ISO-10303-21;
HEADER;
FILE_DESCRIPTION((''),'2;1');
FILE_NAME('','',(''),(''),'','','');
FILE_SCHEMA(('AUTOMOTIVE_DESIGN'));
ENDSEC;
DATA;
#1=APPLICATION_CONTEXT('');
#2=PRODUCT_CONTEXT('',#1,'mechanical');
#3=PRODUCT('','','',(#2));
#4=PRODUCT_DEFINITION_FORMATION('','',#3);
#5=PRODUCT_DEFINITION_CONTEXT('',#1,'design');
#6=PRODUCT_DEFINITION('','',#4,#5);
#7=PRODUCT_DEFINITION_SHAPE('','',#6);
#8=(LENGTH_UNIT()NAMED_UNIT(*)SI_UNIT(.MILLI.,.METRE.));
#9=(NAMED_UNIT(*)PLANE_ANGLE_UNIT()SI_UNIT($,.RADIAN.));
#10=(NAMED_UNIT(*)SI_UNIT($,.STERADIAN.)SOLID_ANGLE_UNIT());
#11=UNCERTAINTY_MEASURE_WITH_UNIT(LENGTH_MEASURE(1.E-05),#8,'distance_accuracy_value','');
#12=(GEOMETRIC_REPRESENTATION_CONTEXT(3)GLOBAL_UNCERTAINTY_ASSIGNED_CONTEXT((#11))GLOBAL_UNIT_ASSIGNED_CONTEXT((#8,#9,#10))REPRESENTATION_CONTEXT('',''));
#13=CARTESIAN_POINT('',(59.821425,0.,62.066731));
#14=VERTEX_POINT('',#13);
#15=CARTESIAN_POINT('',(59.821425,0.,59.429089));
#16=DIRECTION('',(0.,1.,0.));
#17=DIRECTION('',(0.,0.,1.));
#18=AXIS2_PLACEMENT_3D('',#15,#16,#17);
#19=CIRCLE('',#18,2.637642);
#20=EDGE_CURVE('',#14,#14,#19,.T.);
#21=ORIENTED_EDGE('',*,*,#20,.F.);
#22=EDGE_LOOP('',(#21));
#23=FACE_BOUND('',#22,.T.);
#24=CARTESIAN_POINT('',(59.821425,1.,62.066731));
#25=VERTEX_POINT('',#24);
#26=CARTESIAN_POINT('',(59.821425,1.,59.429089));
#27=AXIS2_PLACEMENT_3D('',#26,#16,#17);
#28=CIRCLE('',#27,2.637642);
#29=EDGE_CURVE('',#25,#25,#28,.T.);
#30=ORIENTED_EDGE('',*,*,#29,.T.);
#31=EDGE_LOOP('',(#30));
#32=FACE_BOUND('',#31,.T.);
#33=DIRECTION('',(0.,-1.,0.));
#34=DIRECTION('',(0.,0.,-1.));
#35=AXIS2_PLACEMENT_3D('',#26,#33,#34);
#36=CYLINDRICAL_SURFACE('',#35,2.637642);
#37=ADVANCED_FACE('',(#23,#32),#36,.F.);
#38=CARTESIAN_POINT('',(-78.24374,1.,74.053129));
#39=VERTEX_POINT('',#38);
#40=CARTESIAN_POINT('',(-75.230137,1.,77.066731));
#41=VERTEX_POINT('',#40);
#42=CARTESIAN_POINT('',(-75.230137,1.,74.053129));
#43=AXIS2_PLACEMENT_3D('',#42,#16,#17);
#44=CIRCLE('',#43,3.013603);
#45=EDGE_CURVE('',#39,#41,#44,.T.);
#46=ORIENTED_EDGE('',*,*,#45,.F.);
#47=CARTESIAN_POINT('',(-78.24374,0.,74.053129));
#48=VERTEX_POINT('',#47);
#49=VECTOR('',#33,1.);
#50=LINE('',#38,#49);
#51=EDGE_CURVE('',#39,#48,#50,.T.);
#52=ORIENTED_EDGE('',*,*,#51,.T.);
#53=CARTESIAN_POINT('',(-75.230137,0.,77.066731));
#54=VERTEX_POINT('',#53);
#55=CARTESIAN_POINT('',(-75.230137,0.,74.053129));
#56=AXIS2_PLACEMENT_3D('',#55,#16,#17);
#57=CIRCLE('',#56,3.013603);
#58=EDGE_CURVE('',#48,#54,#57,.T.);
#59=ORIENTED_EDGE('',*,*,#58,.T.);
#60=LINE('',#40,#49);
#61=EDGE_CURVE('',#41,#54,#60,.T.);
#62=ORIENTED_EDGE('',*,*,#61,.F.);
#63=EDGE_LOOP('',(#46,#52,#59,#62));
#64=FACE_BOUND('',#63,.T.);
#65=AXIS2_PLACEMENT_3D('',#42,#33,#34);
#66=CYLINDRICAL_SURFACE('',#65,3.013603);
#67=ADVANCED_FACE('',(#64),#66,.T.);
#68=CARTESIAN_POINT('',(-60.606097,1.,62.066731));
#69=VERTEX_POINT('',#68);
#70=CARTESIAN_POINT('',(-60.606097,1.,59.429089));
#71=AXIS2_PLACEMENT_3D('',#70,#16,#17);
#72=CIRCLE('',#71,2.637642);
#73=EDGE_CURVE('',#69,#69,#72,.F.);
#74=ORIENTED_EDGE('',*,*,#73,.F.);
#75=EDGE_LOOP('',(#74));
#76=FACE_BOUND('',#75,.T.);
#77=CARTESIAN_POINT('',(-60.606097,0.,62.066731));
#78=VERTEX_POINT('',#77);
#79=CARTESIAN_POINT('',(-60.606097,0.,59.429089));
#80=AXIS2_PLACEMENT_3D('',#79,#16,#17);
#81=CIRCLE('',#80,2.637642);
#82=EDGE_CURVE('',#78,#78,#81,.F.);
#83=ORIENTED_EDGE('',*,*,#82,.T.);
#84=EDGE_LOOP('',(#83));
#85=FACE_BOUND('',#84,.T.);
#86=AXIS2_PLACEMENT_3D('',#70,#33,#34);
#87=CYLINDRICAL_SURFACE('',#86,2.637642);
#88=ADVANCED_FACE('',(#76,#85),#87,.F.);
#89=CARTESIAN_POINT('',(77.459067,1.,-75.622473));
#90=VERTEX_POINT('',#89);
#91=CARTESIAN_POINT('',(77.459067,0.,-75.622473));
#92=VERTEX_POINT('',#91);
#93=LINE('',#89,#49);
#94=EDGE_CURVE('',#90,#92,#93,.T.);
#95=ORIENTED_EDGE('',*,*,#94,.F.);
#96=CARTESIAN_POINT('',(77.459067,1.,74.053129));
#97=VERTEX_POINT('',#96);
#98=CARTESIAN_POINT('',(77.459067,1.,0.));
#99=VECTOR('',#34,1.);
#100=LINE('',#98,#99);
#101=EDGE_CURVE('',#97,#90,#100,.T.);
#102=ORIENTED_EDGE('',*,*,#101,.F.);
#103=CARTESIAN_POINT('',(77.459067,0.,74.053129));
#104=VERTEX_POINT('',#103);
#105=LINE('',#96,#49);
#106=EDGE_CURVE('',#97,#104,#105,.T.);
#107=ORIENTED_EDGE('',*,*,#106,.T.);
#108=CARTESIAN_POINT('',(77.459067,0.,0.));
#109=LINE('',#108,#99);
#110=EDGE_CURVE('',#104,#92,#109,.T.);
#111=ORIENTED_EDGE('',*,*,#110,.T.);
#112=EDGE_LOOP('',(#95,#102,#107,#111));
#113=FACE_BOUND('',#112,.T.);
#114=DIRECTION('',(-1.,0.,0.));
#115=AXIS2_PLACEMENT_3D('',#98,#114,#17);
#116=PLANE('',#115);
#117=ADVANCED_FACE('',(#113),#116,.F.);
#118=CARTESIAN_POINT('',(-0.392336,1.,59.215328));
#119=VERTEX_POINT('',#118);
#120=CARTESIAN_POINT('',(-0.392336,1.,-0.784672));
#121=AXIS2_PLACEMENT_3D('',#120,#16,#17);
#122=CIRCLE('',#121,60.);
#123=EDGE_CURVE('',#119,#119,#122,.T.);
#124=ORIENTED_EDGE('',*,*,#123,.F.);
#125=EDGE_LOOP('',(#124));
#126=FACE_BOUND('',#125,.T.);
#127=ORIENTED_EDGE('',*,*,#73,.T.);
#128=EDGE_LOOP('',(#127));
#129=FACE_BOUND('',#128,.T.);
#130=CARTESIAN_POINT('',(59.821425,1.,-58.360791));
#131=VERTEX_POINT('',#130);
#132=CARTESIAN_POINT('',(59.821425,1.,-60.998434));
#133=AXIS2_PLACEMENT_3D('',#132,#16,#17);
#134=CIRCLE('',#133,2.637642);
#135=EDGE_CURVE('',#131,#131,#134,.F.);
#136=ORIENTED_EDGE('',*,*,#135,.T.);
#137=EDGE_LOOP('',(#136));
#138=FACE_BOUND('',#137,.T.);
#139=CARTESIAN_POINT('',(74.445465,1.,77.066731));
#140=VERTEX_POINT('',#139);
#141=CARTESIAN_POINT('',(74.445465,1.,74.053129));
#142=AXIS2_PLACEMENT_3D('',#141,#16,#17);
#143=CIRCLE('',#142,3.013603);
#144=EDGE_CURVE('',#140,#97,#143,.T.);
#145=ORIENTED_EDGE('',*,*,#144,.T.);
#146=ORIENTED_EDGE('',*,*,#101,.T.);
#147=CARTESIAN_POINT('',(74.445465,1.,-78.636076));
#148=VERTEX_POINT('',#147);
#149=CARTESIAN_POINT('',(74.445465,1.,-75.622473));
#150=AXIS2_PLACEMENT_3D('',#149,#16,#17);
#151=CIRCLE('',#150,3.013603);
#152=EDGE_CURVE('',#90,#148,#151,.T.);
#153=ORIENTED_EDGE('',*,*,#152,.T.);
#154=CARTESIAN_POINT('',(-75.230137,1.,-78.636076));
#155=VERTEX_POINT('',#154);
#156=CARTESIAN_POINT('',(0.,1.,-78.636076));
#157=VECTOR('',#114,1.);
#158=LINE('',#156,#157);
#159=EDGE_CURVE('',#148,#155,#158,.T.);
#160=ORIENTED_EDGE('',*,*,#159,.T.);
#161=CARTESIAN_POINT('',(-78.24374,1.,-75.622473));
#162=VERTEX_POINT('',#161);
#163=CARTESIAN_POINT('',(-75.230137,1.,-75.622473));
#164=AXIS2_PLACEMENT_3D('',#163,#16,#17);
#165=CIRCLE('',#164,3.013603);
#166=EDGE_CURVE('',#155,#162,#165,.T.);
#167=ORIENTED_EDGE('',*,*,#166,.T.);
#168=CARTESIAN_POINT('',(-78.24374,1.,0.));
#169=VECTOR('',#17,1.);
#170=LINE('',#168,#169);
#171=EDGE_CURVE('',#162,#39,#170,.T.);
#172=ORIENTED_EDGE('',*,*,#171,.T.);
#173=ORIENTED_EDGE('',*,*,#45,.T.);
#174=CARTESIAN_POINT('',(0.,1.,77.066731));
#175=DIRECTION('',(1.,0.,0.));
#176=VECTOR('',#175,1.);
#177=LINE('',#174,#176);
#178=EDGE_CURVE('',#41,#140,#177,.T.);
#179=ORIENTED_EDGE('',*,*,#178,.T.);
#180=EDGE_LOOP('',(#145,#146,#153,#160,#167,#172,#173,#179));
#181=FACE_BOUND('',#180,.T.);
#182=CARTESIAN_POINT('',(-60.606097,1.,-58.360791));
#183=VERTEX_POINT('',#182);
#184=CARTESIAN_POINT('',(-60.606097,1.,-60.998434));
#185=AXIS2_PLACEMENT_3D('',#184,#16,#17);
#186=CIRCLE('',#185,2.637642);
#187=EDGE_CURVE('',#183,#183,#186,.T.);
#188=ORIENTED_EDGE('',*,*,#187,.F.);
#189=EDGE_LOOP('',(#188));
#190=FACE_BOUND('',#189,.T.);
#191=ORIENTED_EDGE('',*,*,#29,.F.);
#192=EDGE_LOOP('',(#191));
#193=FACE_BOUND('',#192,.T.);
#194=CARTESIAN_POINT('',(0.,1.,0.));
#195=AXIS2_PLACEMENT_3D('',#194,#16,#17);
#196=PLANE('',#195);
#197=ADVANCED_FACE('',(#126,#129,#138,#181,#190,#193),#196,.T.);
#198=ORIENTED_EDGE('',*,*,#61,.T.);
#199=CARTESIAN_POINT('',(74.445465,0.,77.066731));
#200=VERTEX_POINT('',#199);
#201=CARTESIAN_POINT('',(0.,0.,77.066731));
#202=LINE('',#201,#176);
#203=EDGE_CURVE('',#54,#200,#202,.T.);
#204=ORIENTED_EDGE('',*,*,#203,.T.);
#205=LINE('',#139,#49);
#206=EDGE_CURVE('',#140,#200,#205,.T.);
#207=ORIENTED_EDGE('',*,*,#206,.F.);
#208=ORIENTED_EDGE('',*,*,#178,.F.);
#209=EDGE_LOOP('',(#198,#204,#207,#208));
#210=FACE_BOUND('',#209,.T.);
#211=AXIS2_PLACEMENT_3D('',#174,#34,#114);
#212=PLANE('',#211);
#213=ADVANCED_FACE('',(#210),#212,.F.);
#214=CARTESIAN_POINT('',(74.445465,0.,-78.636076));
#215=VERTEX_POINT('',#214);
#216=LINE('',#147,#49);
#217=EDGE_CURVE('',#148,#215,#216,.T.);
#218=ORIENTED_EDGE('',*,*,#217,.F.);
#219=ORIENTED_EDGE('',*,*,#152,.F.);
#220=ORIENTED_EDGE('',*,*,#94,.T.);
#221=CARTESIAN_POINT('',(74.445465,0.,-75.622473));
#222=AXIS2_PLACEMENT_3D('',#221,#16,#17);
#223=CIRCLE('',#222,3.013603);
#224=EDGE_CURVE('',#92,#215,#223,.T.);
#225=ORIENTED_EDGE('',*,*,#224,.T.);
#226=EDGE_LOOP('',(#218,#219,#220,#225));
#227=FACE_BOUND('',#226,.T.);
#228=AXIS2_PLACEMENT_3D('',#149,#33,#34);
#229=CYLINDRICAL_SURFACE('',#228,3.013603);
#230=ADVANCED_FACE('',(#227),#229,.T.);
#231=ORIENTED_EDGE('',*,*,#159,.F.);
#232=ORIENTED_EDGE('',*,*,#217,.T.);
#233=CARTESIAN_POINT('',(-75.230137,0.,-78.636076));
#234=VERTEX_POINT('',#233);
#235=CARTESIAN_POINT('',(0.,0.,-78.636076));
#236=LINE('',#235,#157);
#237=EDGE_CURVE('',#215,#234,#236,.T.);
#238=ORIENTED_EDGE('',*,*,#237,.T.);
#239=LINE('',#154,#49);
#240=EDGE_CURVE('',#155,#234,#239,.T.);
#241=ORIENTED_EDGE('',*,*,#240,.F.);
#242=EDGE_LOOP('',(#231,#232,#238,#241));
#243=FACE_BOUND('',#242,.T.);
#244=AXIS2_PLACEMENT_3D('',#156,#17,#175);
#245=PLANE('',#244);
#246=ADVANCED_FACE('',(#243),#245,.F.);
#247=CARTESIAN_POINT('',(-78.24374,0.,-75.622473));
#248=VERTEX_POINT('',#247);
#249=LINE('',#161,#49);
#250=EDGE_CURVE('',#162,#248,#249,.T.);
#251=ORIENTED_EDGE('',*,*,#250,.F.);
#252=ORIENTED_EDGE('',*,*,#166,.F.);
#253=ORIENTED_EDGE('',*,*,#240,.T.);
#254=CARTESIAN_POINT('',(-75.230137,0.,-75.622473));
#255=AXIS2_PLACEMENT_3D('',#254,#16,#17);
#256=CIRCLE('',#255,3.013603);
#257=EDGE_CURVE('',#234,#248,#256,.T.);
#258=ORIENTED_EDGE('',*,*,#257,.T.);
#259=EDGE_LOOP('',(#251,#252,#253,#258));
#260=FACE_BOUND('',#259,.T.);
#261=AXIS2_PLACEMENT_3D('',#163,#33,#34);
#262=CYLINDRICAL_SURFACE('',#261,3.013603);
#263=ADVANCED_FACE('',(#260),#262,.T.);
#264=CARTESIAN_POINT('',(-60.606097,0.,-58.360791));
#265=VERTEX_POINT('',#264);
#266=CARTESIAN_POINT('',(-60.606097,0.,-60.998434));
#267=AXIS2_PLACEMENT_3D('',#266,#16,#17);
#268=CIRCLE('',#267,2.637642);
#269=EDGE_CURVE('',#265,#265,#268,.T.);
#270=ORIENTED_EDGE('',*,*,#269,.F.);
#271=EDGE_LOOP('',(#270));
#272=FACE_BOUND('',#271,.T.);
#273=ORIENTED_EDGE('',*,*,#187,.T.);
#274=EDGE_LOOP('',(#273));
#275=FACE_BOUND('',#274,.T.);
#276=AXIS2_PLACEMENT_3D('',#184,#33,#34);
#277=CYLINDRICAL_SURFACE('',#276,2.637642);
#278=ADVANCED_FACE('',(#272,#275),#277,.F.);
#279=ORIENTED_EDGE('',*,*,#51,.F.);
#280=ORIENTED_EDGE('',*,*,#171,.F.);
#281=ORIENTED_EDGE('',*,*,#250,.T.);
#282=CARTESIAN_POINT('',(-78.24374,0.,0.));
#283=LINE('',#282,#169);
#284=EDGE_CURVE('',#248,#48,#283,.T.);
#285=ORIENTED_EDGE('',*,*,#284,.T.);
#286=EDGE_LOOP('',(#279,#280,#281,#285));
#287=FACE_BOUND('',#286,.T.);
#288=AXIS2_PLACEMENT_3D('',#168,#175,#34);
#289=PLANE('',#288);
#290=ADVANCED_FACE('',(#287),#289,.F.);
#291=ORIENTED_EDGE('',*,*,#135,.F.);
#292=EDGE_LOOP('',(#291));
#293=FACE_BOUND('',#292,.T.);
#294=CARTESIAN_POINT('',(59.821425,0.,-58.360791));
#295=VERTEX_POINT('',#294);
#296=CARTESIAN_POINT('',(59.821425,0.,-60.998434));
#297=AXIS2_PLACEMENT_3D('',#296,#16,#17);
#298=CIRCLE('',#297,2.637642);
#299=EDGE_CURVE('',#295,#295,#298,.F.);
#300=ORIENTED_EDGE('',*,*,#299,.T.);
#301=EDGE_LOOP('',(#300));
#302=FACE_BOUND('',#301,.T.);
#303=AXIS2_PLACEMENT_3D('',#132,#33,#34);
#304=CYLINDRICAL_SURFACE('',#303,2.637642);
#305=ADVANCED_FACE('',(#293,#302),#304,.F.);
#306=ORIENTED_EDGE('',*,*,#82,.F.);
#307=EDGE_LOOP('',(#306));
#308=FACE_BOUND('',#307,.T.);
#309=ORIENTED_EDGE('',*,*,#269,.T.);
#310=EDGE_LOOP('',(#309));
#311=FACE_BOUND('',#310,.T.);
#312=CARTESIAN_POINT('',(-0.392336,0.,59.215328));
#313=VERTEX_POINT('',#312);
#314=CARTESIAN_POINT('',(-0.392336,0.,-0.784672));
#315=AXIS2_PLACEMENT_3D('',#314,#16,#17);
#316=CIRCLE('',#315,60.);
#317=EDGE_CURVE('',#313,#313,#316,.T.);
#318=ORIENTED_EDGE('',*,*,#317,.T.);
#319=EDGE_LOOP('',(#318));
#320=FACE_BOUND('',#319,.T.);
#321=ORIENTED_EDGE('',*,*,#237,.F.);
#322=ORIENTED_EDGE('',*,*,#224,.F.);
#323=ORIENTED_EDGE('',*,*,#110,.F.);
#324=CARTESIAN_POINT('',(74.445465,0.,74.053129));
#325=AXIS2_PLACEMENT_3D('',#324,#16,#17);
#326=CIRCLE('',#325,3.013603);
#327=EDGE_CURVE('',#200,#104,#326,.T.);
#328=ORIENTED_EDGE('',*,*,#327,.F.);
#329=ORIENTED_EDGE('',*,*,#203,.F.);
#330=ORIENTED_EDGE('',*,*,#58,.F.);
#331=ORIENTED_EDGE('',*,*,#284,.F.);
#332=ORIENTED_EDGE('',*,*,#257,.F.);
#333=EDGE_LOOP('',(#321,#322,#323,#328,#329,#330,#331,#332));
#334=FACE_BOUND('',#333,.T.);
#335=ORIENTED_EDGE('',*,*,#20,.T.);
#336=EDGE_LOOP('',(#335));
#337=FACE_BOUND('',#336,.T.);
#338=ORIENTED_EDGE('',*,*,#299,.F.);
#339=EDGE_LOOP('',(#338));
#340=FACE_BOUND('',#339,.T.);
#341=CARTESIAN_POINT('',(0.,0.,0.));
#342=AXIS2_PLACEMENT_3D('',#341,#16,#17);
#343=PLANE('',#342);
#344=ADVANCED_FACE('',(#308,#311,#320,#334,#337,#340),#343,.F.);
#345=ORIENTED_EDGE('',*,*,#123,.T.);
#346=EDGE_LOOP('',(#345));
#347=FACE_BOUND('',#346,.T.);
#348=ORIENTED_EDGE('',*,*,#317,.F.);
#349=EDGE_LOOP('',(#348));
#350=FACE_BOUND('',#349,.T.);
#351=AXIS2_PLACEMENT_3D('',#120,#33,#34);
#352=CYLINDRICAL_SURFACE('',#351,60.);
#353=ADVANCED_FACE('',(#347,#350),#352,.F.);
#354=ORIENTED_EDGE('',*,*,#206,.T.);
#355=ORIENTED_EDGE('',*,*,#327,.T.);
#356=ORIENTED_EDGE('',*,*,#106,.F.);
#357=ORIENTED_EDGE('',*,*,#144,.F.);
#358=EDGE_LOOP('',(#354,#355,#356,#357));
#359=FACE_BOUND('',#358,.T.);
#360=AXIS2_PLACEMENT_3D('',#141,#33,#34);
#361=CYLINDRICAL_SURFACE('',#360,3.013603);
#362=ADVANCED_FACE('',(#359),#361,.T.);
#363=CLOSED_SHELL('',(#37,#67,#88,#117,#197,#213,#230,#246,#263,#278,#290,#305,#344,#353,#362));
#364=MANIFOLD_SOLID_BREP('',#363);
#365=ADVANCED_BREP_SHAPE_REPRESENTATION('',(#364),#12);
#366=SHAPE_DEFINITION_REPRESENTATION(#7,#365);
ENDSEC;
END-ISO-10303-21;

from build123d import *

# Parameters (mm, degrees)
SKETCH1_R           = 60
SKETCH1_R_2         = 2.637642313
BOSS_EXTRUDE1_DEPTH = 1


with BuildPart() as part:
    # Sketch1 → Boss-Extrude1 (new body)
    with BuildSketch(Plane(origin=(0, 0, 0), x_dir=(1, 0, 0), z_dir=(0, 1, 0))):
        with BuildLine():
            Line((77.459067431, -74.053128544), (77.459067431, 75.622473214))
            ThreePointArc((77.459067431, 75.622473214), (76.57640363, 77.753412133), (74.445464711, 78.636075934))
            Line((74.445464711, 78.636075934), (-75.230137046, 78.636075934))
            ThreePointArc((-75.230137046, 78.636075934), (-77.361075965, 77.753412133), (-78.243739766, 75.622473214))
            Line((-78.243739766, 75.622473214), (-78.243739766, -74.053128544))
            ThreePointArc((-78.243739766, -74.053128544), (-77.361075965, -76.184067463), (-75.230137046, -77.066731264))
            Line((-75.230137046, -77.066731264), (74.445464711, -77.066731264))
            ThreePointArc((74.445464711, -77.066731264), (76.57640363, -76.184067463), (77.459067431, -74.053128544))
        make_face()
        with Locations((-0.392336167, 0.784672335)):
            Circle(SKETCH1_R, mode=Mode.SUBTRACT)
        with Locations((-60.606097453, -59.429088951)):
            Circle(SKETCH1_R_2, mode=Mode.SUBTRACT)
        with Locations((-60.606097453, 60.998433621)):
            Circle(SKETCH1_R_2, mode=Mode.SUBTRACT)
        with Locations((59.821425118, -59.429088951)):
            Circle(SKETCH1_R_2, mode=Mode.SUBTRACT)
        with Locations((59.821425118, 60.998433621)):
            Circle(SKETCH1_R_2, mode=Mode.SUBTRACT)
    extrude(amount=BOSS_EXTRUDE1_DEPTH)


solid = part.part
